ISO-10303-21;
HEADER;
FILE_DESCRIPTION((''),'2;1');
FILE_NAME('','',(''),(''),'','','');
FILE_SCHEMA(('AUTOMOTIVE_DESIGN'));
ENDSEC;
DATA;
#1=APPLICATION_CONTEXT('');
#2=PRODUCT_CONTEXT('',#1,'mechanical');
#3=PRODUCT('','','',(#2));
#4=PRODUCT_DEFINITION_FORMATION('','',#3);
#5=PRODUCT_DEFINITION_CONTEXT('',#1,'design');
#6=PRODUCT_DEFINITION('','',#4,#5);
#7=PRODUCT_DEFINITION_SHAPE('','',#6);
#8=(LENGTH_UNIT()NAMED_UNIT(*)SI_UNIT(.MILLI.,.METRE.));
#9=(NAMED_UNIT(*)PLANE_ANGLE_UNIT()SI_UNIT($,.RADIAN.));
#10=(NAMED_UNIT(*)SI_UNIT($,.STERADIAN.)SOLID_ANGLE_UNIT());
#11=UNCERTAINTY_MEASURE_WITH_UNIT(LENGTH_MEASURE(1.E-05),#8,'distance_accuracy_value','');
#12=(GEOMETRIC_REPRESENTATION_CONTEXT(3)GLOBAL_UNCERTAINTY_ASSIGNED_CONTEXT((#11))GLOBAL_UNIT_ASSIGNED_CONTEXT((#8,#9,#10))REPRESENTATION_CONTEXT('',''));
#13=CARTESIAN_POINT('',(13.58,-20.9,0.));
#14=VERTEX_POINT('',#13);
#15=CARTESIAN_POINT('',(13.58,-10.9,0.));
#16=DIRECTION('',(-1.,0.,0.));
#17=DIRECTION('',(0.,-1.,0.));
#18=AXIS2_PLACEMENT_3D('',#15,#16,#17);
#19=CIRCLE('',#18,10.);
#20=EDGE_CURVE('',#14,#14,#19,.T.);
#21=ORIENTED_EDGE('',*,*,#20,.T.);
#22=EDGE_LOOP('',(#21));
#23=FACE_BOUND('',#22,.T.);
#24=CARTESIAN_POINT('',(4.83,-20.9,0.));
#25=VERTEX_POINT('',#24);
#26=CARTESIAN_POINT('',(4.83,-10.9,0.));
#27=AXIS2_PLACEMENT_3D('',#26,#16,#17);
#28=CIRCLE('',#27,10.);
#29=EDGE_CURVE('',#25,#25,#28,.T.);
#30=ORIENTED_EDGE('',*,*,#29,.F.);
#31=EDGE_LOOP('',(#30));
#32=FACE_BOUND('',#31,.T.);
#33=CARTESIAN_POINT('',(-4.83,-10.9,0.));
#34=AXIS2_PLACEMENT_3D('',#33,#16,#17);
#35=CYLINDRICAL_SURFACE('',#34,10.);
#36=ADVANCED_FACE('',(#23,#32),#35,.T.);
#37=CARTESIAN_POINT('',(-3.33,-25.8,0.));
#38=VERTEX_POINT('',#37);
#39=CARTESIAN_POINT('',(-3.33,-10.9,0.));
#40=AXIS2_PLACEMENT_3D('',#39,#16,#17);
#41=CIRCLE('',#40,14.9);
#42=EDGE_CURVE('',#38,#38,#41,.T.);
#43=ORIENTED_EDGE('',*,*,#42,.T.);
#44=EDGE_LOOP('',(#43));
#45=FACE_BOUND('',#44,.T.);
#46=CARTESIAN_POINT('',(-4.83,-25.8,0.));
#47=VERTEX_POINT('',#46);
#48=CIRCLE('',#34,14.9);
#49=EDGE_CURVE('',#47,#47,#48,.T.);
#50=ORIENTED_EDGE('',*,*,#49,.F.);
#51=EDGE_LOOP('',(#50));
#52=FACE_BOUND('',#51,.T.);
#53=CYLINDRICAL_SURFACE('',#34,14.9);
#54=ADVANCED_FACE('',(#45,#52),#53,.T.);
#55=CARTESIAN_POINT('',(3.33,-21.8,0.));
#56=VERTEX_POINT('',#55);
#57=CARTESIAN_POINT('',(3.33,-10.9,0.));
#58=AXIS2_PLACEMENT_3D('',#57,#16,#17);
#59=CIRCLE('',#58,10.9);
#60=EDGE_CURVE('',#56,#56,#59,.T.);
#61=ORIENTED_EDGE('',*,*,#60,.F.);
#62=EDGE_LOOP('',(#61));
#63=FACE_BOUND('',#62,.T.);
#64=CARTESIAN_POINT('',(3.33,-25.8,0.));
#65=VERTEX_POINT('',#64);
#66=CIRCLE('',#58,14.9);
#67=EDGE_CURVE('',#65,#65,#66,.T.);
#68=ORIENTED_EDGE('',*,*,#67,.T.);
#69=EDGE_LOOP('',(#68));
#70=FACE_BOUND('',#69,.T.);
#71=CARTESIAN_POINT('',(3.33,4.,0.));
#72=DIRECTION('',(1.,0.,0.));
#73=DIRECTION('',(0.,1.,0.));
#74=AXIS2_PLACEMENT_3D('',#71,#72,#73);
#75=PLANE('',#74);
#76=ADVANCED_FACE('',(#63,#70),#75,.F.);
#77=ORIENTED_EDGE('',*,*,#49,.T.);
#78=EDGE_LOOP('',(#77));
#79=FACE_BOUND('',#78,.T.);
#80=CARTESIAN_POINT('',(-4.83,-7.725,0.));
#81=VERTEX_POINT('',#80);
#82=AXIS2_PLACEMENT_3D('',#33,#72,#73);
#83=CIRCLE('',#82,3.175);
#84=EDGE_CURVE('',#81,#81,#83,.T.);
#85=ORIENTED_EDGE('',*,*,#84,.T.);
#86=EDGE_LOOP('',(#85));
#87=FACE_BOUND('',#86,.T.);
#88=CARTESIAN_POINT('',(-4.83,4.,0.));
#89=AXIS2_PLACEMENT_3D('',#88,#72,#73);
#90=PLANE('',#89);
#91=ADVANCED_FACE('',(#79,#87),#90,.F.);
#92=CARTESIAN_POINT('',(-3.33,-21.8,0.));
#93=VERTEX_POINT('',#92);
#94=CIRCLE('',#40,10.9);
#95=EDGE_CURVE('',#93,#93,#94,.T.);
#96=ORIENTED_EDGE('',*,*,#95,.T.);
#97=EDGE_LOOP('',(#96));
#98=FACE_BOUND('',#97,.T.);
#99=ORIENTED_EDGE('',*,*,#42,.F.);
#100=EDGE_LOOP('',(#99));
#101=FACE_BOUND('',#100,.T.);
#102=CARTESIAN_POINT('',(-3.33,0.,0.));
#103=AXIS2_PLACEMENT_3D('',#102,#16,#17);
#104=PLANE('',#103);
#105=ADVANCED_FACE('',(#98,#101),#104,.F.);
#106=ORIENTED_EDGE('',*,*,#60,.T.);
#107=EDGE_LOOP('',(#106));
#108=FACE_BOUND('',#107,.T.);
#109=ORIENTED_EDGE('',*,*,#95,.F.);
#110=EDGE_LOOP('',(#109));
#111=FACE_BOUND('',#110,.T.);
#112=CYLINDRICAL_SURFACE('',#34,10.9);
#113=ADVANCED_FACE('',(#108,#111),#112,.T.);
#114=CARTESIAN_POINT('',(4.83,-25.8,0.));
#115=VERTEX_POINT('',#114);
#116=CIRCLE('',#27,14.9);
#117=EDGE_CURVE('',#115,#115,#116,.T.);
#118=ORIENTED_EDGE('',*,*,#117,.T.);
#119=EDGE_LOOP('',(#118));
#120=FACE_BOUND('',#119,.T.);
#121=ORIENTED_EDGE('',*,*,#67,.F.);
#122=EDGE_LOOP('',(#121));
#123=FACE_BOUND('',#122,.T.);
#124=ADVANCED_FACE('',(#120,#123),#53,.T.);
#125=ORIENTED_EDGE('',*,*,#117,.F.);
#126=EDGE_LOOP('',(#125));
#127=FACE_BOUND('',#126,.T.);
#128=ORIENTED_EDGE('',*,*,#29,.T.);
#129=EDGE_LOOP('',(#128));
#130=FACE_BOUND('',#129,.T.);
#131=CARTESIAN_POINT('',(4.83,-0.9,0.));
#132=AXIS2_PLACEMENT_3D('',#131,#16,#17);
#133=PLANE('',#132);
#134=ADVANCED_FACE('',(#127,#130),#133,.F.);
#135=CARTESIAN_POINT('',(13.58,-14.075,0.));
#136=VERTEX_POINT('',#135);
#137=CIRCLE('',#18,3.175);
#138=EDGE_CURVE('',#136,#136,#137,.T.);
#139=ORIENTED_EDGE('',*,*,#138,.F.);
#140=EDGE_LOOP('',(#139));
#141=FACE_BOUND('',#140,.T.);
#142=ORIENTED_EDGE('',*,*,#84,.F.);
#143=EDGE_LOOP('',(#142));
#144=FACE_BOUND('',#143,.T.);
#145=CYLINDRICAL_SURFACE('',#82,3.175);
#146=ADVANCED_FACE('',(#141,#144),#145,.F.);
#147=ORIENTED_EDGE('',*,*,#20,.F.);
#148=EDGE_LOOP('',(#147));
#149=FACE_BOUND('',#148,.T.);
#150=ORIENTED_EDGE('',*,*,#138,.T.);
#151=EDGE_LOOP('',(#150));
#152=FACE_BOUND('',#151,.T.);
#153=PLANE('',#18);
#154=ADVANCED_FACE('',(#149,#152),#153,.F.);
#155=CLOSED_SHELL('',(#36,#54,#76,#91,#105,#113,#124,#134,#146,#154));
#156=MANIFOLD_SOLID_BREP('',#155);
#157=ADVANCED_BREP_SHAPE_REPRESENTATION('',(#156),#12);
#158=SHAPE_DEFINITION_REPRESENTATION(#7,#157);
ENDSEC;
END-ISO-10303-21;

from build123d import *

# Parameters (mm, degrees)
CUT_EXTRUDE1_DEPTH      = 36.02253703
CUT_EXTRUDE1_DEPTH_BACK = 36.02253703
SKETCH4_R               = 3.175


with BuildPart() as part:
    # Sketch1 → Revolve1 (revolve)
    with BuildSketch(Plane.XY, mode=Mode.PRIVATE) as revolve1_sk:
        Polygon((-3.33, 0), (3.33, 0), (3.33, 4), (4.83, 4), (4.83, -0.900000061), (13.58, -0.900000061), (13.58, -10.9), (-4.83, -10.9), (-4.83, 4), (-3.33, 4), align=None)
    revolve(revolve1_sk.sketch.rotate(Axis((-4.83, -10.9, 0), (1, 0, 0)), 180), axis=Axis((-4.83, -10.9, 0), (1, 0, 0)))

    # Sketch4 → Cut-Extrude1 (cut, two sides: drawn at the far end of the back side and taken through both)
    with BuildSketch(Plane(origin=(13.58, 0, 0), x_dir=(0, 0, -1), z_dir=(1, 0, 0)).offset(-CUT_EXTRUDE1_DEPTH_BACK)):
        with Locations(Location((0, -10.9, 0), (0, 0, 90))):
            Circle(SKETCH4_R)
    extrude(amount=CUT_EXTRUDE1_DEPTH + CUT_EXTRUDE1_DEPTH_BACK, mode=Mode.SUBTRACT)


solid = part.part
